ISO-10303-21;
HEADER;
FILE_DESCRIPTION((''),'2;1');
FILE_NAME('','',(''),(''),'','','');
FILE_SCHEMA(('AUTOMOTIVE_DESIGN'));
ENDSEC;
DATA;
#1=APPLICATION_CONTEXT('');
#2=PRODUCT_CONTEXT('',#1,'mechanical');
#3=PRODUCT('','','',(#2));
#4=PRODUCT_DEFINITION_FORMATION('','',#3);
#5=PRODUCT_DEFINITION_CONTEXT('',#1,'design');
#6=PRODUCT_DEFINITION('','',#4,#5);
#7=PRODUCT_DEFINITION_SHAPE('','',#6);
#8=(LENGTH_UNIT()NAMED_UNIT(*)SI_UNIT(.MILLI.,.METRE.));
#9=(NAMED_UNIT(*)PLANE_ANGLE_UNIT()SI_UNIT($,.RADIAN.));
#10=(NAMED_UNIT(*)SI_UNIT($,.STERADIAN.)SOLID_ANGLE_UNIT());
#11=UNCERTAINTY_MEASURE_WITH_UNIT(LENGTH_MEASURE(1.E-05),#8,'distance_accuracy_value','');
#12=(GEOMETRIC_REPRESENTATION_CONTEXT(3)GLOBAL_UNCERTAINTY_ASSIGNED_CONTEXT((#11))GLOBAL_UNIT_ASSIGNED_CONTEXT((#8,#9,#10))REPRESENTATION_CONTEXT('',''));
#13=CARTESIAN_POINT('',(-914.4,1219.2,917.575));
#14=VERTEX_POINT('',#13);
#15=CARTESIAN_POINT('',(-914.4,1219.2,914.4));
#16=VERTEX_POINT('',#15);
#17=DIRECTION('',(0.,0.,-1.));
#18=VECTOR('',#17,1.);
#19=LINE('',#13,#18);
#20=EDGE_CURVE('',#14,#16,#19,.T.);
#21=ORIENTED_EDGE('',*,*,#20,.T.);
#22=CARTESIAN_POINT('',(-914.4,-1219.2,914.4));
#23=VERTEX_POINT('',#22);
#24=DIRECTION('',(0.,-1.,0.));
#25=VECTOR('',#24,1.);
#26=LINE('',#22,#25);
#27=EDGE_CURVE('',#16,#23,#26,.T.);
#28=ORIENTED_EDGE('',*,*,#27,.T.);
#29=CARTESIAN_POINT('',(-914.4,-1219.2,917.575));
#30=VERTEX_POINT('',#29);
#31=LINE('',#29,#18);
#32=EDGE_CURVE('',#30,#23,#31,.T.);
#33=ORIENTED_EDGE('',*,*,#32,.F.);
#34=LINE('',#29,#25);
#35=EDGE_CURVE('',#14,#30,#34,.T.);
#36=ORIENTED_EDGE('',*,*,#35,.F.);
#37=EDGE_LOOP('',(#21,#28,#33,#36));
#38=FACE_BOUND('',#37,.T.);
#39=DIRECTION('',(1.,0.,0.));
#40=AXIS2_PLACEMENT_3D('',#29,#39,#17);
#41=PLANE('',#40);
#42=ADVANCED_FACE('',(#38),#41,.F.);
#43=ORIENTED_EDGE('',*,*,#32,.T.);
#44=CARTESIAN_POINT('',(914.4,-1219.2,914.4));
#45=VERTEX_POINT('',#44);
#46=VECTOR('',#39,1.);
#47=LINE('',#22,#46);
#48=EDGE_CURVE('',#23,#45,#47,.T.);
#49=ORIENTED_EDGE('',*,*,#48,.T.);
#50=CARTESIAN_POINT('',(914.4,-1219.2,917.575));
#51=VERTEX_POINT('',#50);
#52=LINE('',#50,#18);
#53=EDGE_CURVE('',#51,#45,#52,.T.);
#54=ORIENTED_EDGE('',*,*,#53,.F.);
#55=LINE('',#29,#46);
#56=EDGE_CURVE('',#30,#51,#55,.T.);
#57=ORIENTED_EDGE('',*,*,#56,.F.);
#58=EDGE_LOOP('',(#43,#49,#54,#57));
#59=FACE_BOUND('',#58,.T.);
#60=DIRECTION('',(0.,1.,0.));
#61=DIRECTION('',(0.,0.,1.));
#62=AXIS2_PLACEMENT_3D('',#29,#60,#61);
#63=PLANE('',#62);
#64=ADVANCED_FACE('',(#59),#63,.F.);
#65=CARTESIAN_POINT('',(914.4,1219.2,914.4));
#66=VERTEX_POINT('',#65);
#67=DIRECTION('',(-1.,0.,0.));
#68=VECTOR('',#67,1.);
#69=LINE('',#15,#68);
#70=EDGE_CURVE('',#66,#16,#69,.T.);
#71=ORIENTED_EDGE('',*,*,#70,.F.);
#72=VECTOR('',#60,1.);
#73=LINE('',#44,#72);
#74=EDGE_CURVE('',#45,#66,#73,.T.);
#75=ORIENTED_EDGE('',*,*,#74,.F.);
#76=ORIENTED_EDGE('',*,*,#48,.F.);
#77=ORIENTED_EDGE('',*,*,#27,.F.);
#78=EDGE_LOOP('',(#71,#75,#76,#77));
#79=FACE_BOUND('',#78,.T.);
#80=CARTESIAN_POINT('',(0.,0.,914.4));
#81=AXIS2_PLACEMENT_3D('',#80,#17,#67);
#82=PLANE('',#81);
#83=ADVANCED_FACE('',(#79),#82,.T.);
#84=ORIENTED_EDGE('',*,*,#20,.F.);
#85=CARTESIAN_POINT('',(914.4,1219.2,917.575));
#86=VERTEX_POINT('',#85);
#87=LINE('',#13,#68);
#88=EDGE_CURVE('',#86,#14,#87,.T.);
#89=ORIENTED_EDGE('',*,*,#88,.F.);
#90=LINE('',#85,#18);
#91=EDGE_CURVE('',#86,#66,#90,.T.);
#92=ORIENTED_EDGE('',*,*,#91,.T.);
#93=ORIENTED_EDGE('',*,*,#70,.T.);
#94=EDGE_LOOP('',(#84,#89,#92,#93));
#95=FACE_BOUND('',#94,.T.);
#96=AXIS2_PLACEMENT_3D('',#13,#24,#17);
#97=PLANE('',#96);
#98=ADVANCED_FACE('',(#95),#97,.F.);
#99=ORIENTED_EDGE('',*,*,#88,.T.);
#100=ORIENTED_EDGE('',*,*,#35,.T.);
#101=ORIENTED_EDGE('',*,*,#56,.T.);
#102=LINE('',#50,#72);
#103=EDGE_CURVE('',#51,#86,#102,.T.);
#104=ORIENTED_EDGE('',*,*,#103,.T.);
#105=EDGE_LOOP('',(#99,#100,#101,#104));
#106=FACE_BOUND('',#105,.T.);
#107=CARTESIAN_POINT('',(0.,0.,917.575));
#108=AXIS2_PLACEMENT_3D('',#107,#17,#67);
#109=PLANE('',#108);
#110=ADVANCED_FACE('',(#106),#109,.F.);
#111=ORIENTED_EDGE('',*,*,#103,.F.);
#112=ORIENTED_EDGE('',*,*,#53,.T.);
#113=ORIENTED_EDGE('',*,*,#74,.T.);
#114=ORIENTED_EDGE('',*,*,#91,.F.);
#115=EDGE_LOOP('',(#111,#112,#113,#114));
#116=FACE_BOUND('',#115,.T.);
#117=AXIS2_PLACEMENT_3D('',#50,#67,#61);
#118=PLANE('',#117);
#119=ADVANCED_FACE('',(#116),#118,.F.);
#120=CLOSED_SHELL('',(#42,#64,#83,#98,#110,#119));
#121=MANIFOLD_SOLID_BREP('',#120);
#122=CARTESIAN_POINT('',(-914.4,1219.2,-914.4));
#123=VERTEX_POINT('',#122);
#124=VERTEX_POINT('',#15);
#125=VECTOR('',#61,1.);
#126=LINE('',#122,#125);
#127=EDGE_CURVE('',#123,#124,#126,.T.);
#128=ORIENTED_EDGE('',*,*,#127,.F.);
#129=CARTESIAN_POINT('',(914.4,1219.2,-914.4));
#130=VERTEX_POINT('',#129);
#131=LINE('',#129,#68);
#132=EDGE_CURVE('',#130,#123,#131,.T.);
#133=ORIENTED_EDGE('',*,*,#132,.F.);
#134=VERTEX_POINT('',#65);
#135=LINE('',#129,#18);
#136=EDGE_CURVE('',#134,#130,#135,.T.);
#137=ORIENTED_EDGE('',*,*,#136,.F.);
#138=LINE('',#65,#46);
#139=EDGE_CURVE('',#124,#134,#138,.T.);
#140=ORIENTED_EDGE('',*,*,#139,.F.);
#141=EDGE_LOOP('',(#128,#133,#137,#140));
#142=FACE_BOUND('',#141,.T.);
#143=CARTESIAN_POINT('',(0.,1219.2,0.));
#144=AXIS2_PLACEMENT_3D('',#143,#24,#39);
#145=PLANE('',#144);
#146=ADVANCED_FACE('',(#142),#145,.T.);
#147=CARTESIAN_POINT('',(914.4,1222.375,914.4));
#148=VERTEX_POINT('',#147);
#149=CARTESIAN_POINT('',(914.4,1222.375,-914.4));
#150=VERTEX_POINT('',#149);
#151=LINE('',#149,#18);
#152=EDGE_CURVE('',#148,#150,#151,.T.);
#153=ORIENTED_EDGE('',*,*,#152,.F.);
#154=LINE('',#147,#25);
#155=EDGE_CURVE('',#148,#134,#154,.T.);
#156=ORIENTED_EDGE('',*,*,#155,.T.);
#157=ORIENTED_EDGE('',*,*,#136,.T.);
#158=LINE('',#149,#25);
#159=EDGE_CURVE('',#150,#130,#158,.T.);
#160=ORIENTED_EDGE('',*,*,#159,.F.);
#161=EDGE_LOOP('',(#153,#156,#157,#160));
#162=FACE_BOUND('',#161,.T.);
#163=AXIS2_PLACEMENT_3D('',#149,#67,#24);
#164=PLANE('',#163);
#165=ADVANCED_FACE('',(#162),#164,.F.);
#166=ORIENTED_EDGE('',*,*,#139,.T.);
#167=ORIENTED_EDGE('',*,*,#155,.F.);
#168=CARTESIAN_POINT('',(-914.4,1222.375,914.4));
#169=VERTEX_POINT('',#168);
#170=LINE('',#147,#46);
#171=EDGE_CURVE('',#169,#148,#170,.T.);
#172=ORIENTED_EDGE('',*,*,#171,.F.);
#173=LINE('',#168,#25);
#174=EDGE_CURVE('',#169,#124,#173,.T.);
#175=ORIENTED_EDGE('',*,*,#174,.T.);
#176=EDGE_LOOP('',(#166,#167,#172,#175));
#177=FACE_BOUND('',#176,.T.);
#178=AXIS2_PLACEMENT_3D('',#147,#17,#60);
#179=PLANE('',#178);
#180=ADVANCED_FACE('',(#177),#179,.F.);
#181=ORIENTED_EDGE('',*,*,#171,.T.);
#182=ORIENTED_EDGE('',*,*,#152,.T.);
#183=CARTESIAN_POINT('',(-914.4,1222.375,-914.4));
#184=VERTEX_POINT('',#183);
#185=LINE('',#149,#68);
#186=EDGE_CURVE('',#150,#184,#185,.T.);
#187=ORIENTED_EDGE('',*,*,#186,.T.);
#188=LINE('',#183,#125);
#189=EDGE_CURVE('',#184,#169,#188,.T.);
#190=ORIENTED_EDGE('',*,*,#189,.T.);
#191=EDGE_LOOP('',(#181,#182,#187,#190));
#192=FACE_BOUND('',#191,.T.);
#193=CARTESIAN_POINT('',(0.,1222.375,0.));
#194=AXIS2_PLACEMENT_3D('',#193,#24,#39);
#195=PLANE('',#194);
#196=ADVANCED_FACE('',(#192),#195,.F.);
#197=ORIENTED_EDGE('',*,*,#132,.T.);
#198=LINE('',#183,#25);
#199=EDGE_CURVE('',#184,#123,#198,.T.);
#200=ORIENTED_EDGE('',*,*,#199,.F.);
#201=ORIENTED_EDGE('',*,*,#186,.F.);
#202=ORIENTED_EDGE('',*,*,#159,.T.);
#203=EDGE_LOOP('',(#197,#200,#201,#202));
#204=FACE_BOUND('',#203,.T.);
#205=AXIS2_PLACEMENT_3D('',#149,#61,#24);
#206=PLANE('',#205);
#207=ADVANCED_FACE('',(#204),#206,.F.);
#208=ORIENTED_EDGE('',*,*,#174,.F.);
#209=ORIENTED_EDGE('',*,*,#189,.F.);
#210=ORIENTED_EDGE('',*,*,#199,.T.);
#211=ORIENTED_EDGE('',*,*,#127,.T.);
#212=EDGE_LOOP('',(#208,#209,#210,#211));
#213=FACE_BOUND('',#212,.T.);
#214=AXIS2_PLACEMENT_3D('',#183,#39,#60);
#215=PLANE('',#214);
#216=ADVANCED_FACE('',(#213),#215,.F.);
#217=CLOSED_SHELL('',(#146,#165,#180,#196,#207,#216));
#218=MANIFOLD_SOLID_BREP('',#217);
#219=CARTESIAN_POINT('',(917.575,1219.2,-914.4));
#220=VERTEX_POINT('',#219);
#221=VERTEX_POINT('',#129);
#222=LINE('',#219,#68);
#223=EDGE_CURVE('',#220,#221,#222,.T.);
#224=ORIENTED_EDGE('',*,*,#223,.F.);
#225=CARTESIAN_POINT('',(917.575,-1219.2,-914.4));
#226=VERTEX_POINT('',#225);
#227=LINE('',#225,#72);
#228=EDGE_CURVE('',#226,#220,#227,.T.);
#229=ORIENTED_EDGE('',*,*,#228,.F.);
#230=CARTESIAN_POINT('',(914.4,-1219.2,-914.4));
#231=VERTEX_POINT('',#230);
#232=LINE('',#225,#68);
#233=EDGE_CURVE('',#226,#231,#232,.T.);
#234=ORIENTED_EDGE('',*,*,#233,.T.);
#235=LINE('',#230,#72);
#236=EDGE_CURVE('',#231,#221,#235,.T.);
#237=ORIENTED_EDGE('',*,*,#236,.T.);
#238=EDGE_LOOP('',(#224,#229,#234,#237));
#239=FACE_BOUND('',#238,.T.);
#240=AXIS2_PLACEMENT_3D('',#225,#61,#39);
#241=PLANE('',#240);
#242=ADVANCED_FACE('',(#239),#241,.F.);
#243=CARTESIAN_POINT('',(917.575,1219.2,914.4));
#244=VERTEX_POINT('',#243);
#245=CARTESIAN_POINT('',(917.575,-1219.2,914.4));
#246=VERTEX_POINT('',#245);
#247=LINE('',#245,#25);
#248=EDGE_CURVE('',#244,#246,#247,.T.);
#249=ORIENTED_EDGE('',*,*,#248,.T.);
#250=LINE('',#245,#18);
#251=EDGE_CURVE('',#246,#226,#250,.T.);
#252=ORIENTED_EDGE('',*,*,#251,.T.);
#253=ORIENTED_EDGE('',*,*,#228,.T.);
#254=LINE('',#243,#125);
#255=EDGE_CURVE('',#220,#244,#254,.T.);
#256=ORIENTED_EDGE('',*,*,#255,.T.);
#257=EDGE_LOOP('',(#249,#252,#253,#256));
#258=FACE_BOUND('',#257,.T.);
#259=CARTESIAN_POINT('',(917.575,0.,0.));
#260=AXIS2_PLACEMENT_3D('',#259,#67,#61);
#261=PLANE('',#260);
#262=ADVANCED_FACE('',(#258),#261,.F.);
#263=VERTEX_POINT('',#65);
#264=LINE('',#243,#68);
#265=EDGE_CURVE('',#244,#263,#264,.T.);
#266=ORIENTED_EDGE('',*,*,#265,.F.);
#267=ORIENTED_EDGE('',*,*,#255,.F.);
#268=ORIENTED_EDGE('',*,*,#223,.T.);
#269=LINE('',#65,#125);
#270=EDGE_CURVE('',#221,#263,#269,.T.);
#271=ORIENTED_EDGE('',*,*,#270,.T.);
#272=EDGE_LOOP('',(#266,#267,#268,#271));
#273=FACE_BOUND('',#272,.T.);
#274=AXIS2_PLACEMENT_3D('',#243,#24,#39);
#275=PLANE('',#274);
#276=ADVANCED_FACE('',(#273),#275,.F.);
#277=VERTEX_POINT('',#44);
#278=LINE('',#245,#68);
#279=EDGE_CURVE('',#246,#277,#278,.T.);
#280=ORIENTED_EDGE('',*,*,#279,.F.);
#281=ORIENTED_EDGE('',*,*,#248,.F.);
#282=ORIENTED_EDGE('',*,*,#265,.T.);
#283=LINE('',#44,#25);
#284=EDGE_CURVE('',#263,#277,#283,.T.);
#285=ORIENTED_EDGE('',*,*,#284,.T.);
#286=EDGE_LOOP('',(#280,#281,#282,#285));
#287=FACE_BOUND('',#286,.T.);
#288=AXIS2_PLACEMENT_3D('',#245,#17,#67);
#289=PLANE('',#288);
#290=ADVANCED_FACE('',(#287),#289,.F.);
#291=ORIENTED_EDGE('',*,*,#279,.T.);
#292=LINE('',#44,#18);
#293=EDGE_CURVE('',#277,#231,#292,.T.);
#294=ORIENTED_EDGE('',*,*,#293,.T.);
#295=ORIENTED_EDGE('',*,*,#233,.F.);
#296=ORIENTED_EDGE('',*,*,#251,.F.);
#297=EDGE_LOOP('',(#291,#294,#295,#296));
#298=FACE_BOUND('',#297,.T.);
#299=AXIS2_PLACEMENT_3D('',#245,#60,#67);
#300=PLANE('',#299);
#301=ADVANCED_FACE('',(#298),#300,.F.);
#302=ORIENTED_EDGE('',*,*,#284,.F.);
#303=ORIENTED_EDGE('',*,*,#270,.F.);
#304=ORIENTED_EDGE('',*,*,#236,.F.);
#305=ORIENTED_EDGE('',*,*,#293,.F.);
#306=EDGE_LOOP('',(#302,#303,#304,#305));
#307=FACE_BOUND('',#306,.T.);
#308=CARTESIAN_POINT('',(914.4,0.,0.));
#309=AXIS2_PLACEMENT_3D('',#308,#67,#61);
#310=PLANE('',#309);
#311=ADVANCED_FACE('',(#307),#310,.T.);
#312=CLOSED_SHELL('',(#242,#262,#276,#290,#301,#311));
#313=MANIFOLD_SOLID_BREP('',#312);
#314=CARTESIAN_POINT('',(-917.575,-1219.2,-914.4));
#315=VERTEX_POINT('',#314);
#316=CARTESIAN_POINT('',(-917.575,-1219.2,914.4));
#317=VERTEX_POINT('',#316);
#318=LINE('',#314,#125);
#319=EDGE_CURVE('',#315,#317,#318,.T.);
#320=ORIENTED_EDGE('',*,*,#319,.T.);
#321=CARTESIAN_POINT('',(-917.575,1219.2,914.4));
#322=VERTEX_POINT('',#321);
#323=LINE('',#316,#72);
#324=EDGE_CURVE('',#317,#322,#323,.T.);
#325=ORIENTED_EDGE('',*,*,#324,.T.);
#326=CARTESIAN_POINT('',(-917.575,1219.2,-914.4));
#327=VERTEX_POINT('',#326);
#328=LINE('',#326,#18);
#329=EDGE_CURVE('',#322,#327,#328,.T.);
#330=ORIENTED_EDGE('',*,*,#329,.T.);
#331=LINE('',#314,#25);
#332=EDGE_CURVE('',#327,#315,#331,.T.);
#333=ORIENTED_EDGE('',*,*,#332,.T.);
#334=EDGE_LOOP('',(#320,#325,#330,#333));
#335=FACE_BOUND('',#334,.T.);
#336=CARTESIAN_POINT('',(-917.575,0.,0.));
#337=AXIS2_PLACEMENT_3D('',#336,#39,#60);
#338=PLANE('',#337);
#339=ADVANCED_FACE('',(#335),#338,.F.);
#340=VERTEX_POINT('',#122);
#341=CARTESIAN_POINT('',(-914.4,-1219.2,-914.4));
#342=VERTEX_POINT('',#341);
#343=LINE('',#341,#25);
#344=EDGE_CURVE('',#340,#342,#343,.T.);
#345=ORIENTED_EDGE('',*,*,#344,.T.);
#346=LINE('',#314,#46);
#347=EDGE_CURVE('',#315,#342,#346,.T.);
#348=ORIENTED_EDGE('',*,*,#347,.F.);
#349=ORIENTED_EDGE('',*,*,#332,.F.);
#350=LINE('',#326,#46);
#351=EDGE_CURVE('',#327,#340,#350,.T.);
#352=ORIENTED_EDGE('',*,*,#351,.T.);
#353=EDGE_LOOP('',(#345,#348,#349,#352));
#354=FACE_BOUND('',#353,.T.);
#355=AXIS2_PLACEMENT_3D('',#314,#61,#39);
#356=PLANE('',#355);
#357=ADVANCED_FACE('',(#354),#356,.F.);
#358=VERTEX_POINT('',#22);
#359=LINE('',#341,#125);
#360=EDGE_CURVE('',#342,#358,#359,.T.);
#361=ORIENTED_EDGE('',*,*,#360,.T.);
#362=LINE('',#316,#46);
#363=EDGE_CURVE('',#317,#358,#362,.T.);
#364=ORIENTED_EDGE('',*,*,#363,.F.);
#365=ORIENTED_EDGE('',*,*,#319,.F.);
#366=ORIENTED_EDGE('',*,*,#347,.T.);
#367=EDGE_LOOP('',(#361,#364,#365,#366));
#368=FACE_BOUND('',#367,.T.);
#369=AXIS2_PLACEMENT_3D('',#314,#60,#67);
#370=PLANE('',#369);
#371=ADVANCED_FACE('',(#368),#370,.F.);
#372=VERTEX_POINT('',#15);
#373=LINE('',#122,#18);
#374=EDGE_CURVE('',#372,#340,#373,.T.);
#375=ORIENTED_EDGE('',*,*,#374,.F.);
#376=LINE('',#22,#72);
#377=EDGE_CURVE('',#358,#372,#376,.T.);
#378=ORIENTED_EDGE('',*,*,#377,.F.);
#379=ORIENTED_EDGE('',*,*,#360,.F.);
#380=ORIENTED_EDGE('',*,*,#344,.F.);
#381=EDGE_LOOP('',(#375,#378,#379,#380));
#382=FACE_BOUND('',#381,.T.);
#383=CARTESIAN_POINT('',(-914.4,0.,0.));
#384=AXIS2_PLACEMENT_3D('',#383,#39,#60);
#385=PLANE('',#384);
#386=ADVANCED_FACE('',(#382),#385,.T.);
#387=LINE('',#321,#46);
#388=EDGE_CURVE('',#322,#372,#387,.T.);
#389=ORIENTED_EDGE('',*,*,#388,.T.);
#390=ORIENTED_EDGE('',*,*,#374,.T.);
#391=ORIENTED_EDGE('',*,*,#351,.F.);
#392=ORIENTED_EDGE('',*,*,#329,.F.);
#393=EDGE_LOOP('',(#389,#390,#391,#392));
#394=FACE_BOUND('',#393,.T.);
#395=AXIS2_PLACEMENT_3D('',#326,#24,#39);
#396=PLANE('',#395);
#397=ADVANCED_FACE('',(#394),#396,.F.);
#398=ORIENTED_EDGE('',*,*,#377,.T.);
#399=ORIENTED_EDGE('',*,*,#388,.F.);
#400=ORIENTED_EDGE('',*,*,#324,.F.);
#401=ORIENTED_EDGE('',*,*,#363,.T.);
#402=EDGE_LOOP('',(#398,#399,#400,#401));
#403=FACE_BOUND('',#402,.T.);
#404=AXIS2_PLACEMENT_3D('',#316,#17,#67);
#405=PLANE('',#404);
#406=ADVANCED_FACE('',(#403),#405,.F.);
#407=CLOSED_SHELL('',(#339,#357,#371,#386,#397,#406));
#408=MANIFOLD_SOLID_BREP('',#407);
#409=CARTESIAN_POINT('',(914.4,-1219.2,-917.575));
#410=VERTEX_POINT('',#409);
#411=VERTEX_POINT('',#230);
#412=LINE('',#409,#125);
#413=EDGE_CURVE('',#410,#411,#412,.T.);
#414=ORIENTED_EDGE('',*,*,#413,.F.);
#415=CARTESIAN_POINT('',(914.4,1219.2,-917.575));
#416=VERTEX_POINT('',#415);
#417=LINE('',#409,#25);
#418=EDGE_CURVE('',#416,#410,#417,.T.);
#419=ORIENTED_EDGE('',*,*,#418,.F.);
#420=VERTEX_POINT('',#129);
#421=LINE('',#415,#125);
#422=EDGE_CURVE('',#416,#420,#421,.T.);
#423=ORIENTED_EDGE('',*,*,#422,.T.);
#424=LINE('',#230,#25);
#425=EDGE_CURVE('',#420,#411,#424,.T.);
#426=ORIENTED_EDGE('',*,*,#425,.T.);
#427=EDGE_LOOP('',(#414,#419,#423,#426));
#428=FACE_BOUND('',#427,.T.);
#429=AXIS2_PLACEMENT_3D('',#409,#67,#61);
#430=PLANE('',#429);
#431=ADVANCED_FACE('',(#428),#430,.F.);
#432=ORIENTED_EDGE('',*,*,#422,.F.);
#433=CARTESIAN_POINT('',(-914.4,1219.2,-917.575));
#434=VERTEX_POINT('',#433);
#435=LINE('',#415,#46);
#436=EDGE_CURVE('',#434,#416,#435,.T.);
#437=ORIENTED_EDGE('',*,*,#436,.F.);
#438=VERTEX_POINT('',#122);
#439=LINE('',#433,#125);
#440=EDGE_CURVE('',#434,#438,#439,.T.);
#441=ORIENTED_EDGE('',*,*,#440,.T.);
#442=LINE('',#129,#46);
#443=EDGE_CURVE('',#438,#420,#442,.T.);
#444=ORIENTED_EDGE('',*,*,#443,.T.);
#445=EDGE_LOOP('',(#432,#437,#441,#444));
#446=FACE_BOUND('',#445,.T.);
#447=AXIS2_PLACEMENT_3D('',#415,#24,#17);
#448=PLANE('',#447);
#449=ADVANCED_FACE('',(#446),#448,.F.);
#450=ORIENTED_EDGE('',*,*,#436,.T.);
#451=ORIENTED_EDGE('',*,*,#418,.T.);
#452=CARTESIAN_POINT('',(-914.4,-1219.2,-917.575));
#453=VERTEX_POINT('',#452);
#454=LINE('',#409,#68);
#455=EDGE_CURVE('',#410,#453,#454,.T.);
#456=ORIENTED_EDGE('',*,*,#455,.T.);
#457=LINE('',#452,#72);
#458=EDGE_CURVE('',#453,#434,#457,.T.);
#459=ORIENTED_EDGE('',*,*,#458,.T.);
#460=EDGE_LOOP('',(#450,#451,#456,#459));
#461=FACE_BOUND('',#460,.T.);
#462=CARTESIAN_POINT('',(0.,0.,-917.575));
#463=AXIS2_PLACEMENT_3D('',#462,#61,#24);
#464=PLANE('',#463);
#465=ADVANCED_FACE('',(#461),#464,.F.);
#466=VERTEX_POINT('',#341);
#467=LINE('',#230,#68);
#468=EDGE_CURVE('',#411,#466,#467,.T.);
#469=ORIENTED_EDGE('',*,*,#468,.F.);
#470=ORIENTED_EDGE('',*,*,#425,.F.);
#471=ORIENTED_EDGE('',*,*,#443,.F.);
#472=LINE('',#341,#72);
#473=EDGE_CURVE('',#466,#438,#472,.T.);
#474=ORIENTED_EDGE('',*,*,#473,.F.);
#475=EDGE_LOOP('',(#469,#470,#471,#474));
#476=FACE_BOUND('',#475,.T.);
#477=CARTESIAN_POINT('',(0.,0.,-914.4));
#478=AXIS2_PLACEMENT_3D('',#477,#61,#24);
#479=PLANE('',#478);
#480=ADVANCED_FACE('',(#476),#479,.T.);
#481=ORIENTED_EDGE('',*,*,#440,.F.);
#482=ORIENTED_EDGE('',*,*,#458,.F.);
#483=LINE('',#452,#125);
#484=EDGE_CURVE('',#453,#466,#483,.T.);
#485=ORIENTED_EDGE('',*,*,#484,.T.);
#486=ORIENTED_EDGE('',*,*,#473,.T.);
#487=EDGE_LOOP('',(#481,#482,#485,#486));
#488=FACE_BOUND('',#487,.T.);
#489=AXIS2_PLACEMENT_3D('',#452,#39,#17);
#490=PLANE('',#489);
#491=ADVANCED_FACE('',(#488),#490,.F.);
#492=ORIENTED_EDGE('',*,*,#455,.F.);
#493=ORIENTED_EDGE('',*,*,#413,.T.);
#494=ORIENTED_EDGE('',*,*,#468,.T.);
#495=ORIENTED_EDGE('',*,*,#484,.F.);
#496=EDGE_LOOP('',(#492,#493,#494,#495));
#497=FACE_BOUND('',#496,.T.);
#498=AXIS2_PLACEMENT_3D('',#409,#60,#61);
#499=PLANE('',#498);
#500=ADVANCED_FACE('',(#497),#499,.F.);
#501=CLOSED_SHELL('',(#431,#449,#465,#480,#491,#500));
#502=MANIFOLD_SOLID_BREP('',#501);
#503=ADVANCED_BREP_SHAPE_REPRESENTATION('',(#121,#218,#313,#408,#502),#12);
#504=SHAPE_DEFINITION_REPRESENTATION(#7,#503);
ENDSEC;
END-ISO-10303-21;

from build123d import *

# Parameters (mm, degrees)
SKETCH14_W                                   = 1828.8
SKETCH14_H                                   = 1828.8
BOSS_EXTRUDE20_DEPTH                         = 3.175
SKETCH13_W                                   = 1828.8
SKETCH13_H                                   = 2438.4
ILLUMINANCE_PLANE_1_15_2019_3_02_36_PM_DEPTH = 3.175
SKETCH12_W                                   = 1828.8
SKETCH12_H                                   = 2438.4
BOSS_EXTRUDE18_DEPTH                         = 3.175
SKETCH11_W                                   = 1828.8
SKETCH11_H                                   = 2438.4
BOSS_EXTRUDE16_DEPTH                         = 3.175
SKETCH2_W                                    = 1828.8
SKETCH2_H                                    = 2438.4
BOSS_EXTRUDE5_DEPTH                          = 3.175


with BuildPart() as part:
    # Sketch14 → Boss-Extrude20 (new body)
    with BuildSketch(Plane(origin=(0, 1219.2, 0), x_dir=(1, 0, 0), z_dir=(0, 1, 0))):
        Rectangle(SKETCH14_W, SKETCH14_H)
    extrude(amount=BOSS_EXTRUDE20_DEPTH)


with BuildPart() as body_2:
    # Sketch13 → Illuminance Plane 1-15-2019 3_02_36 PM (new body)
    with BuildSketch(Plane(origin=(0, 0, -914.4), x_dir=(-1, 0, 0), z_dir=(0, 0, -1))):
        Rectangle(SKETCH13_W, SKETCH13_H)
    extrude(amount=ILLUMINANCE_PLANE_1_15_2019_3_02_36_PM_DEPTH)


with BuildPart() as body_3:
    # Sketch12 → Boss-Extrude18 (new body)
    with BuildSketch(Plane.ZY.offset(914.4)):
        Rectangle(SKETCH12_W, SKETCH12_H)
    extrude(amount=BOSS_EXTRUDE18_DEPTH)


with BuildPart() as body_4:
    # Sketch11 → Boss-Extrude16 (new body)
    with BuildSketch(Plane(origin=(914.4, 0, 0), x_dir=(0, 0, -1), z_dir=(1, 0, 0))):
        Rectangle(SKETCH11_W, SKETCH11_H)
    extrude(amount=BOSS_EXTRUDE16_DEPTH)


with BuildPart() as body_5:
    # Sketch2 → Boss-Extrude5 (new body)
    with BuildSketch(Plane.XY.offset(914.4)):
        Rectangle(SKETCH2_W, SKETCH2_H)
    extrude(amount=BOSS_EXTRUDE5_DEPTH)


solid = Compound([part.part, body_2.part, body_3.part, body_4.part, body_5.part])
